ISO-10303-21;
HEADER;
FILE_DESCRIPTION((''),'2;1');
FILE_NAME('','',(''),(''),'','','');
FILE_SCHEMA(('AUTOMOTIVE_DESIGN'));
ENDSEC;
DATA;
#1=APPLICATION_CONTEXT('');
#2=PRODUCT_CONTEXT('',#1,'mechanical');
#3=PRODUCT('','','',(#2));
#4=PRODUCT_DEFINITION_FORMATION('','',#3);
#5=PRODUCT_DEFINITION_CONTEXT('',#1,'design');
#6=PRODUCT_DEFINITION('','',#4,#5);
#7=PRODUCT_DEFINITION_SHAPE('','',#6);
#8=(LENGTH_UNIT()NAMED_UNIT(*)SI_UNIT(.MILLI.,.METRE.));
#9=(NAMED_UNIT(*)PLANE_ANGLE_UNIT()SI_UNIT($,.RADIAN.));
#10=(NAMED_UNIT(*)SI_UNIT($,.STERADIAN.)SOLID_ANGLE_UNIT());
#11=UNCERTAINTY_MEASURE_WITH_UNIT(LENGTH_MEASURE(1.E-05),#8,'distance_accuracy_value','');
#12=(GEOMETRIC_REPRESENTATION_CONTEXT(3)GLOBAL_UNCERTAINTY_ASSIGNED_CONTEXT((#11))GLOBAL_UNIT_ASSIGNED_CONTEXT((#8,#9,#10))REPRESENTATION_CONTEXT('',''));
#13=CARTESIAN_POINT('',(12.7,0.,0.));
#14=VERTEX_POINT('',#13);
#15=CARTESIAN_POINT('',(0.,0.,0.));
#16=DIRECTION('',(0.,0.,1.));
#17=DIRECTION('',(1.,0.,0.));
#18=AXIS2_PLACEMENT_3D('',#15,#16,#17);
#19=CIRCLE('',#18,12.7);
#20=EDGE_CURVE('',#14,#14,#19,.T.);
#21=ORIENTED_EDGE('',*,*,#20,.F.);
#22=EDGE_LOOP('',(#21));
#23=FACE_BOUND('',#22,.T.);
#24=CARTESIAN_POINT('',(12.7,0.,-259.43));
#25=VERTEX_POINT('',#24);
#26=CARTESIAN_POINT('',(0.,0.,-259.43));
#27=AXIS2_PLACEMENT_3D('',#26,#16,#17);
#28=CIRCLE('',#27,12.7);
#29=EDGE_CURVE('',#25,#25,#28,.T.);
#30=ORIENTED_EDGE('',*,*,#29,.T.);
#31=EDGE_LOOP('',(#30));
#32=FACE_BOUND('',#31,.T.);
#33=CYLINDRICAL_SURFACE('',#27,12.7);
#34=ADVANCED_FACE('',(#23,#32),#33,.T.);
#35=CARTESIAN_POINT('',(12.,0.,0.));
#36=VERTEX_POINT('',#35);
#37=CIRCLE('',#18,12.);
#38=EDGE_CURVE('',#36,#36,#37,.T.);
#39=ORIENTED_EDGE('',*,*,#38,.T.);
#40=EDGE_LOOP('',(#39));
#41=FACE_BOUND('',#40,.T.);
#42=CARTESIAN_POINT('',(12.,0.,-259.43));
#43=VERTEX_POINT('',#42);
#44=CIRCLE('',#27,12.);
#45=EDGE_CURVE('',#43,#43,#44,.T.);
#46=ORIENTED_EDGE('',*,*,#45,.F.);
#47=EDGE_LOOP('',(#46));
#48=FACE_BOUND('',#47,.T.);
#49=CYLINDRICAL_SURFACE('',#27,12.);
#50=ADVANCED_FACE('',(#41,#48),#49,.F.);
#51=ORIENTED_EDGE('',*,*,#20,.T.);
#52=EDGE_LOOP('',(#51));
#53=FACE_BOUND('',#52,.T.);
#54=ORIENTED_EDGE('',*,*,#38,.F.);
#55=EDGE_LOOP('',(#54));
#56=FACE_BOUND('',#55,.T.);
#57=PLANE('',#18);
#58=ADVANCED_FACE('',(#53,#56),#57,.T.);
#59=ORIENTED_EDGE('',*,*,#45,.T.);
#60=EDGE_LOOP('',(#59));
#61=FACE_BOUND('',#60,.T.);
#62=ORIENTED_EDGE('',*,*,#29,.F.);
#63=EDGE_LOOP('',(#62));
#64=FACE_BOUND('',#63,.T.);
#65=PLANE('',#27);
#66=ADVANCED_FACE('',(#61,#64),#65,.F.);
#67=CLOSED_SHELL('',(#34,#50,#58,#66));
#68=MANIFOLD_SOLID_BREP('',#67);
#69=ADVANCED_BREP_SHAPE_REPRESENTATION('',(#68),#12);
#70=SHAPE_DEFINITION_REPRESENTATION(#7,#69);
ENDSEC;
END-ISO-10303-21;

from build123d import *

# Parameters (mm, degrees)
SKETCH1_R           = 12.7
SKETCH1_R_2         = 12
BOSS_EXTRUDE1_DEPTH = 259.43


with BuildPart() as part:
    # Sketch1 → Boss-Extrude1 (new body)
    with BuildSketch(Plane.XY):
        Circle(SKETCH1_R)
        Circle(SKETCH1_R_2, mode=Mode.SUBTRACT)
    extrude(amount=-BOSS_EXTRUDE1_DEPTH)


solid = part.part
